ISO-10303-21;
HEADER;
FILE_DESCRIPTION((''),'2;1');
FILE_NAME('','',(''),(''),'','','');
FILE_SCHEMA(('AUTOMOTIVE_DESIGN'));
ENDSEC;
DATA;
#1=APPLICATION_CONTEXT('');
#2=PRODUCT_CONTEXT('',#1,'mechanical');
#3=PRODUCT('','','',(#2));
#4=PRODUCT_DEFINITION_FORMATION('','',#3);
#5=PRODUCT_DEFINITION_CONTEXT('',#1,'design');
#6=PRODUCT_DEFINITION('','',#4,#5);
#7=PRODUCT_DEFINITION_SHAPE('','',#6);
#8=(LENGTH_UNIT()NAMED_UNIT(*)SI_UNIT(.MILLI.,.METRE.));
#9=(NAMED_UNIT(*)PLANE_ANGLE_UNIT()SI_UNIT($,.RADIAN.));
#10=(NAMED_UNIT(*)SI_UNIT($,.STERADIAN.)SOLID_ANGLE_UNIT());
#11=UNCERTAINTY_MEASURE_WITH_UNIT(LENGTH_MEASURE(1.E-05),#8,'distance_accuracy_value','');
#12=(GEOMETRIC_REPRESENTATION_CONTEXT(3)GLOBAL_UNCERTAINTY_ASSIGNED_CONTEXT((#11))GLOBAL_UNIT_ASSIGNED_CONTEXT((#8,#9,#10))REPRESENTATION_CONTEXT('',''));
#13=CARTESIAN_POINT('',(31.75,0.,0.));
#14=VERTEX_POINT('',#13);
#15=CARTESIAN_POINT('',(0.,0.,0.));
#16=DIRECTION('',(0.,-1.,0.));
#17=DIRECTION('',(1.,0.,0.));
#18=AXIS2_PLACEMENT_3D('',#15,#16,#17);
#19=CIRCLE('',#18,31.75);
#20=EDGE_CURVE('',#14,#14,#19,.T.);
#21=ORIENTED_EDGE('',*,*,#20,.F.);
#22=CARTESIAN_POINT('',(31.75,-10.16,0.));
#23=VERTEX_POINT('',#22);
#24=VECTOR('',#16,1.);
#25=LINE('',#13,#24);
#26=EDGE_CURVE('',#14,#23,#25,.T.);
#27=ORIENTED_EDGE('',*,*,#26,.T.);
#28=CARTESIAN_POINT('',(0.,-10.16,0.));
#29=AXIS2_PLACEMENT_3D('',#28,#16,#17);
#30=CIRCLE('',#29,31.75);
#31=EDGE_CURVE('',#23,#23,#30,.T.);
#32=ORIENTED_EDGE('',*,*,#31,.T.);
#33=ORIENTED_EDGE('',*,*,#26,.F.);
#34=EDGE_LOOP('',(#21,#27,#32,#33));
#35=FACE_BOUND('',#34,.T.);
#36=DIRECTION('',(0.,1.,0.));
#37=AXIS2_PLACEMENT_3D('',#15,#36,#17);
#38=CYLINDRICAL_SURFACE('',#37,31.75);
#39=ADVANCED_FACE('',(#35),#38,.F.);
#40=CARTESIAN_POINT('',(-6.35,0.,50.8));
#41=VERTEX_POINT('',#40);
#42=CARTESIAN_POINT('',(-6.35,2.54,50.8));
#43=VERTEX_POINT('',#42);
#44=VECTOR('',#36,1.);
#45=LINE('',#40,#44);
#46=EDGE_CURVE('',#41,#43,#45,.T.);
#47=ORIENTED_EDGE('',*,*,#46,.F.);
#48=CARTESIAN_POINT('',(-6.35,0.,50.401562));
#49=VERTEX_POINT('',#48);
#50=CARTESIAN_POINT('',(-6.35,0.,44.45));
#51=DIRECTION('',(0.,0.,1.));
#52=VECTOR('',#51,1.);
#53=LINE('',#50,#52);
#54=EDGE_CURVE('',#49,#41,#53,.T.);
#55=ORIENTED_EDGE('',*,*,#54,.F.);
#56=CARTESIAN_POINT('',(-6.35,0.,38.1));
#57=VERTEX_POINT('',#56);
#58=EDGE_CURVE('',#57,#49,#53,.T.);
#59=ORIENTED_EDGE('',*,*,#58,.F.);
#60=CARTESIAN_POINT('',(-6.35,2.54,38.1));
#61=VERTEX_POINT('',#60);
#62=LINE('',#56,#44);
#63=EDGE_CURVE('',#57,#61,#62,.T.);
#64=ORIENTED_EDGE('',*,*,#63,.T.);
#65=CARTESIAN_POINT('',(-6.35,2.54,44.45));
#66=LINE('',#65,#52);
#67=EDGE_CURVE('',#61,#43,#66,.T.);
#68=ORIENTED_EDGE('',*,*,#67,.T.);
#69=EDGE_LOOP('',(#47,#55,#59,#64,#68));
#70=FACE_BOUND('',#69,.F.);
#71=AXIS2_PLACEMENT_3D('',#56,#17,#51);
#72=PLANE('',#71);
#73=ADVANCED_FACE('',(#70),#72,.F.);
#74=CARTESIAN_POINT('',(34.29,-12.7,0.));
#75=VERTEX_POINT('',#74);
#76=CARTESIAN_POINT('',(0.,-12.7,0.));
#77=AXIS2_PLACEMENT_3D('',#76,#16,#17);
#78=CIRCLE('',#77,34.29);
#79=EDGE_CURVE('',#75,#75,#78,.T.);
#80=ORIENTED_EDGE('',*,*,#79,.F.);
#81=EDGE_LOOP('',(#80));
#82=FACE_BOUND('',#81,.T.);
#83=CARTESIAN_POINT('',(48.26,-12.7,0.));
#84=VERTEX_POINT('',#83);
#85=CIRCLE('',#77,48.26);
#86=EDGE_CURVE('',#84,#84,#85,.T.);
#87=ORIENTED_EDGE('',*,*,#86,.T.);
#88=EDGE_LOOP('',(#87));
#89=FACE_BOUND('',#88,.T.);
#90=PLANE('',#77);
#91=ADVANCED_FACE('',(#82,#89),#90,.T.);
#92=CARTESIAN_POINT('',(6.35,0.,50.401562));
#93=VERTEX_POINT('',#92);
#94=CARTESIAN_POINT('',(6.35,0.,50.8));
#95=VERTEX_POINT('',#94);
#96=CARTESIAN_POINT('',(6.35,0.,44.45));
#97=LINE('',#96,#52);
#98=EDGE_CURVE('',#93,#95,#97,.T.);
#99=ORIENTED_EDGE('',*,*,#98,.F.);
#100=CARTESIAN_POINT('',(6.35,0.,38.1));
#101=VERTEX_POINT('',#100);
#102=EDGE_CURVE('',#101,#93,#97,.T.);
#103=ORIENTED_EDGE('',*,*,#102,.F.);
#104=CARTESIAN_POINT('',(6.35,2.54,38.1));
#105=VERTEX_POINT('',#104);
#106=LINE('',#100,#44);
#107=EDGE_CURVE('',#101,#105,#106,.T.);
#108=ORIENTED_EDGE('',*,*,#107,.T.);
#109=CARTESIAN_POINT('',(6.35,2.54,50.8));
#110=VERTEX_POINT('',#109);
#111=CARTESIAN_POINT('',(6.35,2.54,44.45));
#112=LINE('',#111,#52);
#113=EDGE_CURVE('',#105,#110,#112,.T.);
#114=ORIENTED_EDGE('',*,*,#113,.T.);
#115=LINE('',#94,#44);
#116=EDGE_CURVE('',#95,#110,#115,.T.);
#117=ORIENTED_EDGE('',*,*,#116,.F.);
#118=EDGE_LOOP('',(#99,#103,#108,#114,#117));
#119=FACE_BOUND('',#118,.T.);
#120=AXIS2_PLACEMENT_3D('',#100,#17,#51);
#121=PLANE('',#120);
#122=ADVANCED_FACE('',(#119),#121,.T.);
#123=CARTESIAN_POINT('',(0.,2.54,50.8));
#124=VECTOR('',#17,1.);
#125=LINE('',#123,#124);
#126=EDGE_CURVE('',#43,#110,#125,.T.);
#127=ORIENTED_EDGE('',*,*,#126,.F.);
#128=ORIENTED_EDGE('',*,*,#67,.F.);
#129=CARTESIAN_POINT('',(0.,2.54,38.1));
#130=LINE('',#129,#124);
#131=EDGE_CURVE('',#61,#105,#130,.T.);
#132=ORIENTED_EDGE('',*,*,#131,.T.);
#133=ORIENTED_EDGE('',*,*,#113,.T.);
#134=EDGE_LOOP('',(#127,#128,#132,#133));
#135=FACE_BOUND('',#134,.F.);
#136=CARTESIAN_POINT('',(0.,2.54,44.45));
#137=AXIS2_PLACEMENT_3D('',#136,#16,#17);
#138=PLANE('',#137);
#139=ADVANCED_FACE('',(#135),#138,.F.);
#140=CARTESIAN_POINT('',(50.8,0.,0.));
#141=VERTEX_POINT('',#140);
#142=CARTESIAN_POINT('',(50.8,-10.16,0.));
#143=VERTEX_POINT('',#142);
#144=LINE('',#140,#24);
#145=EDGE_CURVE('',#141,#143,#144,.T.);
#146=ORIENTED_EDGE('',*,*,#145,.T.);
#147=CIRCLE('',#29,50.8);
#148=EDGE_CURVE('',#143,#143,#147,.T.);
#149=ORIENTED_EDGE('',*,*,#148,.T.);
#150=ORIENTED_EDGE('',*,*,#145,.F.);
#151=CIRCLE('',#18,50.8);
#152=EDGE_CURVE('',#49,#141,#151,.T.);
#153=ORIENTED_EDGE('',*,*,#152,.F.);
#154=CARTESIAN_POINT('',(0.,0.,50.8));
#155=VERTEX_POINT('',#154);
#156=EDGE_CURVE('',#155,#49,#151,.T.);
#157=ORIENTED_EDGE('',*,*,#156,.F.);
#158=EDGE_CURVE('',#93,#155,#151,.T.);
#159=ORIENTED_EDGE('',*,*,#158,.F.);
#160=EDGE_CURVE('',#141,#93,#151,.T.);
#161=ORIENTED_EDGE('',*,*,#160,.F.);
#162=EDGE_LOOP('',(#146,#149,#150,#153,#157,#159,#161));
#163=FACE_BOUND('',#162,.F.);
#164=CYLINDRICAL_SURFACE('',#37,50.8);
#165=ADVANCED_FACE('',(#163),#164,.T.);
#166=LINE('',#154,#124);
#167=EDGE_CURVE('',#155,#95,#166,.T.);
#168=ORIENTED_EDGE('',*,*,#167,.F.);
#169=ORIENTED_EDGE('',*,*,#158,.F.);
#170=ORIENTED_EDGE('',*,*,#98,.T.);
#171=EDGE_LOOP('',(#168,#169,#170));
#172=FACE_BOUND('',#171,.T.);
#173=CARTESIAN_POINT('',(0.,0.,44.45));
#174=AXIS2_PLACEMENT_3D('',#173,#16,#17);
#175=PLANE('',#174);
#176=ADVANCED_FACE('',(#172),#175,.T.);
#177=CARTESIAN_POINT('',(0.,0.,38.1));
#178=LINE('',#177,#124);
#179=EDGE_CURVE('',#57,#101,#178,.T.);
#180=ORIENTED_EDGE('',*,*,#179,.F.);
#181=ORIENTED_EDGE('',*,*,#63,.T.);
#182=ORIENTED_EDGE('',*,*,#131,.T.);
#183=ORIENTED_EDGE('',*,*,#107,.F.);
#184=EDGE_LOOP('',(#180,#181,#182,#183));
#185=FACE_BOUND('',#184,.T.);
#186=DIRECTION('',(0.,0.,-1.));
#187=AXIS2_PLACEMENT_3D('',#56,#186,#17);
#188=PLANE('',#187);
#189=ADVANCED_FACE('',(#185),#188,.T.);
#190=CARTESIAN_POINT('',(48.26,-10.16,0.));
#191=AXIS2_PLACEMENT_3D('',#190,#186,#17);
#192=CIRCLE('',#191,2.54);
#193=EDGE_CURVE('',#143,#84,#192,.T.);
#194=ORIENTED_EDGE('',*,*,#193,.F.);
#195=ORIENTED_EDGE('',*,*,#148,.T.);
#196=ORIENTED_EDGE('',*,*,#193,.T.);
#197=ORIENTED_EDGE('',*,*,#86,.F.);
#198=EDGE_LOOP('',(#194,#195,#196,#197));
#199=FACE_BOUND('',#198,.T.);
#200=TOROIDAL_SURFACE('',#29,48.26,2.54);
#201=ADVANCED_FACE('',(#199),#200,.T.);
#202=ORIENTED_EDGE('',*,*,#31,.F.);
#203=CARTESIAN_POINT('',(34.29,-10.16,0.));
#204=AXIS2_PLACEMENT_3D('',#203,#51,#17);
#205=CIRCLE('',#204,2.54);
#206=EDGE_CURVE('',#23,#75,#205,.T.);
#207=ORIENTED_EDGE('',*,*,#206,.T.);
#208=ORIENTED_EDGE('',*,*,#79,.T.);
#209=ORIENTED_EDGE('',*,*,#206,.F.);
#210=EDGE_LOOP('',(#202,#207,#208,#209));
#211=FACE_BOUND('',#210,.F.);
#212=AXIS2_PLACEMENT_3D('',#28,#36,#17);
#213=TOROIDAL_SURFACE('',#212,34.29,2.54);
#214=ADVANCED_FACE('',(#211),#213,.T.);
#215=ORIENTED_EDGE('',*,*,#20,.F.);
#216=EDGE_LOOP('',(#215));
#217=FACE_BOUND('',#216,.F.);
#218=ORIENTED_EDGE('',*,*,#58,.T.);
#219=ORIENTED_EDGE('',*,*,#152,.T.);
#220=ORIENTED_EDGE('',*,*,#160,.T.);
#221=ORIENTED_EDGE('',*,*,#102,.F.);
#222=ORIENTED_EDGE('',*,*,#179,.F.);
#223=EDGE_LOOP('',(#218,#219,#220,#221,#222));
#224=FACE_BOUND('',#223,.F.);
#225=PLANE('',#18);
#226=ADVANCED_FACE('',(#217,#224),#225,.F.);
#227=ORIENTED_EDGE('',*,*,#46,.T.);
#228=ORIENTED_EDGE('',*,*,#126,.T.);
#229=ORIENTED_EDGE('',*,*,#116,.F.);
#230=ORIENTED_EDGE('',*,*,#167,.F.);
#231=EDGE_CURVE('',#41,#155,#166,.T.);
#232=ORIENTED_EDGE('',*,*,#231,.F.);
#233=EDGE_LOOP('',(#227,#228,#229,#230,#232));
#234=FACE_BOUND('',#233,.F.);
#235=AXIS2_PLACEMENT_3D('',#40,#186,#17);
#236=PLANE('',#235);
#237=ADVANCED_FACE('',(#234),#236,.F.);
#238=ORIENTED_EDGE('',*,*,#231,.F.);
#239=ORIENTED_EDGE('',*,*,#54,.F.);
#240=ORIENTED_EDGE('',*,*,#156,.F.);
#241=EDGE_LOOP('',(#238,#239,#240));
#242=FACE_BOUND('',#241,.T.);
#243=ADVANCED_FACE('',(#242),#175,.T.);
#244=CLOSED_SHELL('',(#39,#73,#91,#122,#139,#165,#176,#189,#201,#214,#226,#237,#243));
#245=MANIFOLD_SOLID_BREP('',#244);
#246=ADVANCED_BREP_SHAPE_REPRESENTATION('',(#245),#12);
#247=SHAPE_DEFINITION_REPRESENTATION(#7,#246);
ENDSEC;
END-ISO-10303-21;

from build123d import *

# Parameters (mm, degrees)
F0_R     = 50.8
F0_R_2   = 31.75
F1_DEPTH = 12.7
F2_R     = 2.54
F3_W     = 12.7
F3_H     = 12.7
F4_DEPTH = 2.54


with BuildPart() as f1:
    # F0 (on Front) → F1 (new body)
    with BuildSketch(Plane.XZ):
        Circle(F0_R)
        Circle(F0_R_2, mode=Mode.SUBTRACT)
    extrude(amount=F1_DEPTH)

    # F2
    f2_edges = [f1.edges().sort_by_distance(p)[0] for p in [
        (-50.8, -12.7, 0),
        (-31.75, -12.7, 0),
    ]]
    fillet(f2_edges, radius=F2_R)

    # F3 (on Front) → F4 (join)
    with BuildSketch(Plane.XZ):
        with Locations((0, 44.45)):
            Rectangle(F3_W, F3_H)
    extrude(amount=-F4_DEPTH)


solid = f1.part
